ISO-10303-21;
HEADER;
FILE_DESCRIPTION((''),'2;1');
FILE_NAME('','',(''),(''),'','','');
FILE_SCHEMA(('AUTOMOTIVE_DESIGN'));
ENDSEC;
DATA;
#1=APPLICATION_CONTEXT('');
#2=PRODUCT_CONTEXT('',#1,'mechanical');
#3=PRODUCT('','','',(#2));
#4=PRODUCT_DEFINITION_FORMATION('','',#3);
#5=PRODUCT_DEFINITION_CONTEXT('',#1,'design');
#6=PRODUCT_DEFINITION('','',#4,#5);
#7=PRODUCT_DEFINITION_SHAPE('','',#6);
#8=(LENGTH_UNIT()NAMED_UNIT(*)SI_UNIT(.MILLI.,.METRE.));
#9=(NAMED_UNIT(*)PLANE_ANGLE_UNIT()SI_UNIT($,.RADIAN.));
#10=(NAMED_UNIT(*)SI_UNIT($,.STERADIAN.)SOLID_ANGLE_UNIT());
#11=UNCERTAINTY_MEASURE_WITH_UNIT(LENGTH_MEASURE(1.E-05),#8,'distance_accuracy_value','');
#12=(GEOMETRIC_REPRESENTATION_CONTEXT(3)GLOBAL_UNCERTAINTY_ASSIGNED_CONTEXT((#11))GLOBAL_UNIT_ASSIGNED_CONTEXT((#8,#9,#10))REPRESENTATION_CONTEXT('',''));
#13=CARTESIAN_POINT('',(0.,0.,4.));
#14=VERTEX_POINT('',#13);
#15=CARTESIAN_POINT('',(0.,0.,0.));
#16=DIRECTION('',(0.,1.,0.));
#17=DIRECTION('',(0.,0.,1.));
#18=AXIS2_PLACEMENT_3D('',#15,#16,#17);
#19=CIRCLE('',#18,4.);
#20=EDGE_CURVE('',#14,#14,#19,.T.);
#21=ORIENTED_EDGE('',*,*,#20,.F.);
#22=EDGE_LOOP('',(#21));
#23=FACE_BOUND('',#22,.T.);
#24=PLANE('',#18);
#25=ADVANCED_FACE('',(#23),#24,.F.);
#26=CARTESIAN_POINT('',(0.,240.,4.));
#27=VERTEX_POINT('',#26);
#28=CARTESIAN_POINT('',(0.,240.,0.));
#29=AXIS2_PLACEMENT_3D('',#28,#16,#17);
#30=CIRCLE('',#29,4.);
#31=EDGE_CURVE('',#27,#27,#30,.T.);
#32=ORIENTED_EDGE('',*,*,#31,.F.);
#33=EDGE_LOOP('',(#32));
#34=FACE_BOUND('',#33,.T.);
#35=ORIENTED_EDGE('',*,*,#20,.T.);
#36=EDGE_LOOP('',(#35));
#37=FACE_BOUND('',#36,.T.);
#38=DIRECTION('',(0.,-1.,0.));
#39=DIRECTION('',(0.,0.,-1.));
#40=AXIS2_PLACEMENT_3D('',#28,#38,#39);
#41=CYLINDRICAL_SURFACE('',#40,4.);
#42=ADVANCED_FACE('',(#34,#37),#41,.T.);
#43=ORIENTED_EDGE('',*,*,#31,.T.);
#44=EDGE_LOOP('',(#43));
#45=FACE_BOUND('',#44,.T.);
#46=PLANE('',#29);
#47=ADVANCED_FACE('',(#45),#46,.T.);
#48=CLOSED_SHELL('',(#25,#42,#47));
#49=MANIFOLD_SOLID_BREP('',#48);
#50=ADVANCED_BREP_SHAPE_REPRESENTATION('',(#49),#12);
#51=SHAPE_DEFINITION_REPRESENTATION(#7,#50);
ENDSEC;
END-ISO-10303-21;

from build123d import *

# Parameters (mm, degrees)
SKETCH1_R           = 4
BOSS_EXTRUDE1_DEPTH = 240


with BuildPart() as part:
    # Sketch1 → Boss-Extrude1 (new body)
    with BuildSketch(Plane(origin=(0, 0, 0), x_dir=(1, 0, 0), z_dir=(0, 1, 0))):
        with Locations(Location((0, 0, 0), (0, 0, 270))):  # turned: the seam where the file's is
            Circle(SKETCH1_R)
    extrude(amount=BOSS_EXTRUDE1_DEPTH)


solid = part.part
